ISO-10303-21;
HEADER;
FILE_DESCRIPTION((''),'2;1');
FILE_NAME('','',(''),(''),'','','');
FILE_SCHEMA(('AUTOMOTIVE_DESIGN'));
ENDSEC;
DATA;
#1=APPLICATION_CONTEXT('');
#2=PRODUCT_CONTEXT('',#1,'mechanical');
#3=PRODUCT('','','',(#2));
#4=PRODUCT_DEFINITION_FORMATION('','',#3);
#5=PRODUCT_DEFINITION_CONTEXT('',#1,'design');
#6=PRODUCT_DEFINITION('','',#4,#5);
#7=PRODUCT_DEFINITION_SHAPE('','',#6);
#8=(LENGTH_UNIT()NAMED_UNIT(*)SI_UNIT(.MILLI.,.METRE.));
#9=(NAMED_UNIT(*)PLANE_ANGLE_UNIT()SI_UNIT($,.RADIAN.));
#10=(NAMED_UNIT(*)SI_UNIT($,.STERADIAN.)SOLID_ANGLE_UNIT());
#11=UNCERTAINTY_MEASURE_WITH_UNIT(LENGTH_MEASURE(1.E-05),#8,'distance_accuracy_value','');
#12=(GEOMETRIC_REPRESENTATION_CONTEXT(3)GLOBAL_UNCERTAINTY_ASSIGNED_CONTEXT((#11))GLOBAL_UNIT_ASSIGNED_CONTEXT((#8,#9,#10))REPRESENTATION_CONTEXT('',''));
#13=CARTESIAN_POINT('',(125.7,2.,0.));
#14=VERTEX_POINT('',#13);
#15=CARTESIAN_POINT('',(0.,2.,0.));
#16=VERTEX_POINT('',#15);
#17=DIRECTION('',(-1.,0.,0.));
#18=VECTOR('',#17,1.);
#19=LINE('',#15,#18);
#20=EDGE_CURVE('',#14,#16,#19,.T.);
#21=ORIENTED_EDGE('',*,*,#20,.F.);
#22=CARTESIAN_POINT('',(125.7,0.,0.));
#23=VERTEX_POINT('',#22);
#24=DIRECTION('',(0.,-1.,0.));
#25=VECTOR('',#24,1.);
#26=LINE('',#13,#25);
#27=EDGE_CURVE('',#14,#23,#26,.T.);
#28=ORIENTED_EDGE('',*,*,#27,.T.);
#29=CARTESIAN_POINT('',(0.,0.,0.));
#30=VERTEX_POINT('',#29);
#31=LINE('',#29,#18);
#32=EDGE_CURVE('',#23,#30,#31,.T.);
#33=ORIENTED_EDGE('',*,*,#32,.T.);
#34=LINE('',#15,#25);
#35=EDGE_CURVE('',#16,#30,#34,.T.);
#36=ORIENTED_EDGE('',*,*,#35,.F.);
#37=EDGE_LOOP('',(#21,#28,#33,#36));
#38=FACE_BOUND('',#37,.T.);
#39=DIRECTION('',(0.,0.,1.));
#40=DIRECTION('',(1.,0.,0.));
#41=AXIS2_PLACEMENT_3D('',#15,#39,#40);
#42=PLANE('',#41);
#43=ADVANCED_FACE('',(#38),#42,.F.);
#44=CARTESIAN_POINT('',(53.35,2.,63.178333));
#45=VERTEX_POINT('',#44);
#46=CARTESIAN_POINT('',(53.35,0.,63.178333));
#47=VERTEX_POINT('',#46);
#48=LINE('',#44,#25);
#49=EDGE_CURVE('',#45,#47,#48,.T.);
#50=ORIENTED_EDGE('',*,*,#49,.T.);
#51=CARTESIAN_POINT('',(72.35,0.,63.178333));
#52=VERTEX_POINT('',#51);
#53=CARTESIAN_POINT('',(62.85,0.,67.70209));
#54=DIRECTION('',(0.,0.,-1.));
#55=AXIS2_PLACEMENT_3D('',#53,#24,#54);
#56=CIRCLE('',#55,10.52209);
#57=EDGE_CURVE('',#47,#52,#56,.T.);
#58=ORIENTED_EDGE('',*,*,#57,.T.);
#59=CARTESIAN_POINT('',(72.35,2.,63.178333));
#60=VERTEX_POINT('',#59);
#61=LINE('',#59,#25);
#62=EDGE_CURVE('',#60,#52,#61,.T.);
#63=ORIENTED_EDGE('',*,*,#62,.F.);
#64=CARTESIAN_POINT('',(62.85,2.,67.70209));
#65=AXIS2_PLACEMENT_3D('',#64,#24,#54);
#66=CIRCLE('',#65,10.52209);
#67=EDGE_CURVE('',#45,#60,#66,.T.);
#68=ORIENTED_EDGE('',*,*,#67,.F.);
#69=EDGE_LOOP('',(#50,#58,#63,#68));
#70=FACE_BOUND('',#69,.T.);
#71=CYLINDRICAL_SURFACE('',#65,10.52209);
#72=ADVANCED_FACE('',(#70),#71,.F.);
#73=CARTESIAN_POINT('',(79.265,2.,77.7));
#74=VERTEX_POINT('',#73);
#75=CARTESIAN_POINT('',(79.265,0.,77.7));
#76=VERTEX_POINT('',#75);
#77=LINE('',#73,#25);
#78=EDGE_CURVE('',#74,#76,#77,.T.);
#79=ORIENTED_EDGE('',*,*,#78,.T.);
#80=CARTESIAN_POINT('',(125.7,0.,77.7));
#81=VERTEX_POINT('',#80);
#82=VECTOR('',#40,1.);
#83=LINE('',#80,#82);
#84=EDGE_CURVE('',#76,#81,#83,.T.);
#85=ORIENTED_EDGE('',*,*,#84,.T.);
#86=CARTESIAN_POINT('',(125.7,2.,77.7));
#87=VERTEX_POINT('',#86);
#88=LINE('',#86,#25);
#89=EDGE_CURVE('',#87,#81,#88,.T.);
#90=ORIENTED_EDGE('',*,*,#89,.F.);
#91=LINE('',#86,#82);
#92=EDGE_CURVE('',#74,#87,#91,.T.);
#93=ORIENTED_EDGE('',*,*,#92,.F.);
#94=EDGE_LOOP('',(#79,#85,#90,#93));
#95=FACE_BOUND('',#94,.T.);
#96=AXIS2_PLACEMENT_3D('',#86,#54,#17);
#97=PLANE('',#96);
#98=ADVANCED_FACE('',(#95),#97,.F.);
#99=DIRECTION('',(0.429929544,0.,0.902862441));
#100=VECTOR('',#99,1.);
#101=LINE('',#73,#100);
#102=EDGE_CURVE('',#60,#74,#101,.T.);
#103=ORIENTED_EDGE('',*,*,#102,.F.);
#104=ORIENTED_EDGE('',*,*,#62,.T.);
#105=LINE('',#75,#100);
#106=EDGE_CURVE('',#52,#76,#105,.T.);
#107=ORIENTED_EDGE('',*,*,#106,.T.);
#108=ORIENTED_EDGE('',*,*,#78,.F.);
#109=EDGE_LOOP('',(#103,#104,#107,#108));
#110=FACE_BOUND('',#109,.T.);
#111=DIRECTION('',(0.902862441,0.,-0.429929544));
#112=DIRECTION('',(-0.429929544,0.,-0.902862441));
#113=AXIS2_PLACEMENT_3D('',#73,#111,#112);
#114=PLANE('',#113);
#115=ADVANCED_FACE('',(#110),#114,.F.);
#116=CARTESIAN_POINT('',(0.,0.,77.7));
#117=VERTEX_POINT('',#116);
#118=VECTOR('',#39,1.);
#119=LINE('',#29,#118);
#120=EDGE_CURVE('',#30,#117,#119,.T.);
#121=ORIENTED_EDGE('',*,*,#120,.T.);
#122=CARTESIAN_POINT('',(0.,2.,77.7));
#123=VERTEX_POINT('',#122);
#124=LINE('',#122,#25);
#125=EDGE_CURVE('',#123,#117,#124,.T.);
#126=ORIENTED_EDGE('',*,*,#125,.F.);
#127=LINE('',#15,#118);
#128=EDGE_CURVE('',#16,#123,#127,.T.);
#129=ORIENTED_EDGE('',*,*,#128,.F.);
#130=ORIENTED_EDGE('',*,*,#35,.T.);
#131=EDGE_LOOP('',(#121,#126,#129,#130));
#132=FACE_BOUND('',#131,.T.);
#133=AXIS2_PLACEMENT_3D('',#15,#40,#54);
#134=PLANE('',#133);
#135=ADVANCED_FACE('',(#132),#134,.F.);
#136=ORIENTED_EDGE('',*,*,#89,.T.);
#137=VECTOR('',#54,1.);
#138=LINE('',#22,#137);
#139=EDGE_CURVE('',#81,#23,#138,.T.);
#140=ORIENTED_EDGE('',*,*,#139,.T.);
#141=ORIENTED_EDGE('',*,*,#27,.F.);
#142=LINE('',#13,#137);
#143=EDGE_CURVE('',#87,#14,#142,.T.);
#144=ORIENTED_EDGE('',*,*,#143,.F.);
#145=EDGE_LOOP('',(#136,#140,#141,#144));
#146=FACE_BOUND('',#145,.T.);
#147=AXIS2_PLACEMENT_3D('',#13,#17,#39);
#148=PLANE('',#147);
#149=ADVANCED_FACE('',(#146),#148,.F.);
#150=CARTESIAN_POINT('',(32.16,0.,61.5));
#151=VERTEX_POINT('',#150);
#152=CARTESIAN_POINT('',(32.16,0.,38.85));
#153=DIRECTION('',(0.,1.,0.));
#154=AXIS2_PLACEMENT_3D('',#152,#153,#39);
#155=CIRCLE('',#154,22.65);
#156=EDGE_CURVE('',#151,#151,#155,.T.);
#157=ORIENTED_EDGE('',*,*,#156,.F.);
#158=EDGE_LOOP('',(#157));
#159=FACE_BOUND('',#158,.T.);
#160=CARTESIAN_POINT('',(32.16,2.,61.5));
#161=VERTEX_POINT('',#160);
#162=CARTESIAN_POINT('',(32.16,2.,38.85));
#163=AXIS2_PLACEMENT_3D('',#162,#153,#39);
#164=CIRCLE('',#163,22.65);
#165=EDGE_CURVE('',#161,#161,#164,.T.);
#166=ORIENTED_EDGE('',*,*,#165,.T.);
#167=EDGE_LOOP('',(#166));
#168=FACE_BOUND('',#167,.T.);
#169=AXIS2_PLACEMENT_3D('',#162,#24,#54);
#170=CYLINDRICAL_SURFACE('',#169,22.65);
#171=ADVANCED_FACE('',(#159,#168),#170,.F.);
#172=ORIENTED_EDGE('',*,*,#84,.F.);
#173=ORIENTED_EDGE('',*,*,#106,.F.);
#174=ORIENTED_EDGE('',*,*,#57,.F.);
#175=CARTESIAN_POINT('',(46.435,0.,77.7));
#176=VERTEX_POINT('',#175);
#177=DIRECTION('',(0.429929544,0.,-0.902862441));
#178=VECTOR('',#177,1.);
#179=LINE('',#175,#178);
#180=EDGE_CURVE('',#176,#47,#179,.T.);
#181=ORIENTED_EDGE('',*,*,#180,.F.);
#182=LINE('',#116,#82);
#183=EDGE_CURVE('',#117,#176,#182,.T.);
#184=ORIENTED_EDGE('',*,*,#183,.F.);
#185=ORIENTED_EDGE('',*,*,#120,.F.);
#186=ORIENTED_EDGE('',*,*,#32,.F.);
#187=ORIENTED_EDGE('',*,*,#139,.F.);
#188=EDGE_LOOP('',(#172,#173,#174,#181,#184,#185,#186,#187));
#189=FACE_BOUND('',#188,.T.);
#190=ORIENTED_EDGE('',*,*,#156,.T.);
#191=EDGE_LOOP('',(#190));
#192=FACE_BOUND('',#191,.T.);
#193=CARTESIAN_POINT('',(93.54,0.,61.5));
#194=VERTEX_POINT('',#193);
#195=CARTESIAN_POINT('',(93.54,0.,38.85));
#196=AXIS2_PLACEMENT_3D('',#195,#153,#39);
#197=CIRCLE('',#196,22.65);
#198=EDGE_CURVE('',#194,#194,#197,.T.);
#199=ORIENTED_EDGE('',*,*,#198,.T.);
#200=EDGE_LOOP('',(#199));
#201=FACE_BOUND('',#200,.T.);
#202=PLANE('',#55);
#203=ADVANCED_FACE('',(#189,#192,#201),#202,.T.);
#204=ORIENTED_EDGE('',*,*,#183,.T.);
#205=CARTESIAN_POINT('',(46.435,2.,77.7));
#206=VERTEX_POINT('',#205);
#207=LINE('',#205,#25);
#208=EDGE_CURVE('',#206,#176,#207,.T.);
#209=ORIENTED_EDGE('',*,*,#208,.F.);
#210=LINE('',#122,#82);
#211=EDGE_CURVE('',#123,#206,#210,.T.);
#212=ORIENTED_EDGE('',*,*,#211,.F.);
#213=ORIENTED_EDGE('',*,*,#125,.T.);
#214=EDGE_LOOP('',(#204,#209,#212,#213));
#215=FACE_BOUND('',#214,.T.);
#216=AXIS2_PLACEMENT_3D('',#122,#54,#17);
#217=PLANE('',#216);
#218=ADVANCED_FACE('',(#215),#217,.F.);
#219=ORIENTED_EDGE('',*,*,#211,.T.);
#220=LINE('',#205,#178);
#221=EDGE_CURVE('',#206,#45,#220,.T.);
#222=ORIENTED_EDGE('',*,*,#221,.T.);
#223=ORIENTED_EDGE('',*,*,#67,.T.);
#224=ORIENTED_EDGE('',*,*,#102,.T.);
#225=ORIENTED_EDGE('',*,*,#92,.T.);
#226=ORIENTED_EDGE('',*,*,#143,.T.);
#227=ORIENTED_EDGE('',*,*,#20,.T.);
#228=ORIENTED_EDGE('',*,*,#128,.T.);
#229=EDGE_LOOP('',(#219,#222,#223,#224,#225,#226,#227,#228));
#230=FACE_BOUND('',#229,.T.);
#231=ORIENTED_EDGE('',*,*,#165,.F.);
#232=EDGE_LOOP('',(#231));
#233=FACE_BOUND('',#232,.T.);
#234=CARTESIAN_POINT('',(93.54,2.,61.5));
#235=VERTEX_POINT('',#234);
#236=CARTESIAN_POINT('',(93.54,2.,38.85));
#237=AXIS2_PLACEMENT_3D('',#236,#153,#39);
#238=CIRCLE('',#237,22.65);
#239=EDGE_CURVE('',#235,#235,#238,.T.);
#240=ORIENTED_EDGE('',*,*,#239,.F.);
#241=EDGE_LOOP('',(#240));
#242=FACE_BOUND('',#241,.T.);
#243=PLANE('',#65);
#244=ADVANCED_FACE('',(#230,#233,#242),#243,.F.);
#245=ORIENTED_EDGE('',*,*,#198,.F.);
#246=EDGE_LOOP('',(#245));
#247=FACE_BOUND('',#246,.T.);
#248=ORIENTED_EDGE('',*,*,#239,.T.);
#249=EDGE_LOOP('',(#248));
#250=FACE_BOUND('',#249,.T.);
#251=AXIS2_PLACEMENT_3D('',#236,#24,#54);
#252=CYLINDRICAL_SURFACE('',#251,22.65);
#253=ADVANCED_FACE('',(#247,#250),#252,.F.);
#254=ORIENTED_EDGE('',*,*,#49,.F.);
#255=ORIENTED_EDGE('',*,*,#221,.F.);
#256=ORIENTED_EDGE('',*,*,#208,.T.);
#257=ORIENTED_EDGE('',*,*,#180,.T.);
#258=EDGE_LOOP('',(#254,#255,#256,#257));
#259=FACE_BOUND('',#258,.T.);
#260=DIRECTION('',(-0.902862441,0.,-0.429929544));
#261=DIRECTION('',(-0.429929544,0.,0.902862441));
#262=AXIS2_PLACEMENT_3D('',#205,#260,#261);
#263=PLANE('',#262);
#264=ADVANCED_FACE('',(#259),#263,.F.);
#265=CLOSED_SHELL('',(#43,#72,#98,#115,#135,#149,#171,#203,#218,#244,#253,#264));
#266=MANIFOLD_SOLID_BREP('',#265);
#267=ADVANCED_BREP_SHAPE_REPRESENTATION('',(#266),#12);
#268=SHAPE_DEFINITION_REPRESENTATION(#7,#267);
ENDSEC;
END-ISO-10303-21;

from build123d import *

# Parameters (mm, degrees)
SKETCH_1_R      = 22.65
EXTRUDE_1_DEPTH = 2


with BuildPart() as part:
    # 草图1 → 凸台-拉伸1 (new body)
    with BuildSketch(Plane(origin=(0, 0, 0), x_dir=(1, 0, 0), z_dir=(0, 1, 0))):
        with BuildLine():
            Line((0, -77.7), (46.435, -77.7))
            Line((46.435, -77.7), (53.35, -63.178332735))
            ThreePointArc((53.35, -63.178332735), (62.85, -57.18), (72.35, -63.178332735))
            Line((72.35, -63.178332735), (79.265, -77.7))
            Line((79.265, -77.7), (125.7, -77.7))
            Line((125.7, -77.7), (125.7, 0))
            Line((125.7, 0), (0, 0))
            Line((0, 0), (0, -77.7))
        make_face()
        with Locations(Location((32.16, -38.85, 0), (0, 0, 270))):
            Circle(SKETCH_1_R, mode=Mode.SUBTRACT)
        with Locations(Location((93.54, -38.85, 0), (0, 0, 270))):
            Circle(SKETCH_1_R, mode=Mode.SUBTRACT)
    extrude(amount=EXTRUDE_1_DEPTH)


solid = part.part
